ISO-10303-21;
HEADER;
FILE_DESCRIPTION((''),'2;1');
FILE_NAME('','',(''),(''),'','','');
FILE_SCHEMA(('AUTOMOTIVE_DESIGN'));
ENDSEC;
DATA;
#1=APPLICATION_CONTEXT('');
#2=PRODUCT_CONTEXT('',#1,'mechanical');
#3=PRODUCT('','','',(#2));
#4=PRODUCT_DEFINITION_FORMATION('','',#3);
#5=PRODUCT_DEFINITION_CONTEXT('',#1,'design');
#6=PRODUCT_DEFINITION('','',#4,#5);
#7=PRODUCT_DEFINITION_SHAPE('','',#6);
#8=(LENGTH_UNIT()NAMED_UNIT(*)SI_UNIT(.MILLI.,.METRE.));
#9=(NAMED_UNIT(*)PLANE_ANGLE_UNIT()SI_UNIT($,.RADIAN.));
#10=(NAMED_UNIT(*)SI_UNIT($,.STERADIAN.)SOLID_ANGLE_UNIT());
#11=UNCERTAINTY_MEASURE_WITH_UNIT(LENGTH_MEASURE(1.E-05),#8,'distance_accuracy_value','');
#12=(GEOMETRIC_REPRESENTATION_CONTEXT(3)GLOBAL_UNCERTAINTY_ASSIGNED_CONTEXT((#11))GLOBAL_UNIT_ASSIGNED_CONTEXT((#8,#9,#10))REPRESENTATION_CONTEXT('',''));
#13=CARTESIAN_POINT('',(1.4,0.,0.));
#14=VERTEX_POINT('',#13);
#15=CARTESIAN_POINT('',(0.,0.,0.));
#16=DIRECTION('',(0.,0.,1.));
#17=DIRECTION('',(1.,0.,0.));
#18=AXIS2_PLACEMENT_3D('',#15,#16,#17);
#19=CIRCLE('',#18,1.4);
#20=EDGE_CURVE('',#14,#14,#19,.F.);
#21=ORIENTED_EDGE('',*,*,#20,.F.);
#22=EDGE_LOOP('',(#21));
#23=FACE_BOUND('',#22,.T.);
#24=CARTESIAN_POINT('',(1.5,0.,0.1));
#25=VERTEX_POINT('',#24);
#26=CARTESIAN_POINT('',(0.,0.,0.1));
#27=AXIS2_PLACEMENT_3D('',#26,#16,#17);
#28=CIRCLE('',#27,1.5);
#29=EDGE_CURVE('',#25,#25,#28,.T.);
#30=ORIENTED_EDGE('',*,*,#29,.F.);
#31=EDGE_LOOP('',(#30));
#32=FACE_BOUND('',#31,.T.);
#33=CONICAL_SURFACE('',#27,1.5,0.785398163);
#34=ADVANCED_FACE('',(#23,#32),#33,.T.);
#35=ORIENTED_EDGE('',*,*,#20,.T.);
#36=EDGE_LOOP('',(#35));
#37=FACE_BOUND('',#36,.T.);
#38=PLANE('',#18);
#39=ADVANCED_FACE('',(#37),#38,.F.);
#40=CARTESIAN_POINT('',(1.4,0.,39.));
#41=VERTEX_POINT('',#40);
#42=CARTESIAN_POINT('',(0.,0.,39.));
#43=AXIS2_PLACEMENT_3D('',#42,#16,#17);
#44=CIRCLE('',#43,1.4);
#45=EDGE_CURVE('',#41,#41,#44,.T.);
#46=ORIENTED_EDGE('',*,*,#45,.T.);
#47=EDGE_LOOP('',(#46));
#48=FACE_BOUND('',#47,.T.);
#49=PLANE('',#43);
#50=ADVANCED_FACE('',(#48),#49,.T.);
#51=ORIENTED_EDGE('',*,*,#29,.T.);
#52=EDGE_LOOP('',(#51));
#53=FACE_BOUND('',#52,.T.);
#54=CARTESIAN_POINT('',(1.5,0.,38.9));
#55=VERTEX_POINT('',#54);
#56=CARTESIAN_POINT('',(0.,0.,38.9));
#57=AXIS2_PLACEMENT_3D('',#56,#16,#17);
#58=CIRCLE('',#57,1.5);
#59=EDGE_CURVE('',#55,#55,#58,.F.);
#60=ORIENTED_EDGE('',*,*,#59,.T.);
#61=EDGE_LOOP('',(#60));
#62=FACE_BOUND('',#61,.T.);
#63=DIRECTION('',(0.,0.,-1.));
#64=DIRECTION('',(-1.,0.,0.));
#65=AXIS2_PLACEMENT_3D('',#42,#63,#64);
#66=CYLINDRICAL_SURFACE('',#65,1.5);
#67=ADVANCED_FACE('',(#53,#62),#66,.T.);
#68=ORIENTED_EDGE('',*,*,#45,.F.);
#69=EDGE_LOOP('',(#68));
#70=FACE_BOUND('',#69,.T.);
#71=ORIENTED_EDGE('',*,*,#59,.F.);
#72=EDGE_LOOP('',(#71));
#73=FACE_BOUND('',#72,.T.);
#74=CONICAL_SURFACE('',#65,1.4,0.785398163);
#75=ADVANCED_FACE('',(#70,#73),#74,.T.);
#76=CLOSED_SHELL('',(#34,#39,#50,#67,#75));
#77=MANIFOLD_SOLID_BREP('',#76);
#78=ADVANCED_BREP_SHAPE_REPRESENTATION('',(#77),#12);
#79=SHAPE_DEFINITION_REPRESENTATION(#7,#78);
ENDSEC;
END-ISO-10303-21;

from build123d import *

# Parameters (mm, degrees)
ESQUISSE1_R        = 1.5
BOSS_EXTRU_1_DEPTH = 39
CHANFREIN1_SIZE    = 0.1


with BuildPart() as part:
    # Esquisse1 → Boss.-Extru.1 (new body)
    with BuildSketch(Plane.XY):
        Circle(ESQUISSE1_R)
    extrude(amount=BOSS_EXTRU_1_DEPTH)

    # Chanfrein1
    chanfrein1_edges = [part.edges().sort_by_distance(p)[0] for p in [
        (-1.5, 0, 0),
        (-1.5, 0, 39),
    ]]
    chamfer(chanfrein1_edges, length=CHANFREIN1_SIZE)


solid = part.part
